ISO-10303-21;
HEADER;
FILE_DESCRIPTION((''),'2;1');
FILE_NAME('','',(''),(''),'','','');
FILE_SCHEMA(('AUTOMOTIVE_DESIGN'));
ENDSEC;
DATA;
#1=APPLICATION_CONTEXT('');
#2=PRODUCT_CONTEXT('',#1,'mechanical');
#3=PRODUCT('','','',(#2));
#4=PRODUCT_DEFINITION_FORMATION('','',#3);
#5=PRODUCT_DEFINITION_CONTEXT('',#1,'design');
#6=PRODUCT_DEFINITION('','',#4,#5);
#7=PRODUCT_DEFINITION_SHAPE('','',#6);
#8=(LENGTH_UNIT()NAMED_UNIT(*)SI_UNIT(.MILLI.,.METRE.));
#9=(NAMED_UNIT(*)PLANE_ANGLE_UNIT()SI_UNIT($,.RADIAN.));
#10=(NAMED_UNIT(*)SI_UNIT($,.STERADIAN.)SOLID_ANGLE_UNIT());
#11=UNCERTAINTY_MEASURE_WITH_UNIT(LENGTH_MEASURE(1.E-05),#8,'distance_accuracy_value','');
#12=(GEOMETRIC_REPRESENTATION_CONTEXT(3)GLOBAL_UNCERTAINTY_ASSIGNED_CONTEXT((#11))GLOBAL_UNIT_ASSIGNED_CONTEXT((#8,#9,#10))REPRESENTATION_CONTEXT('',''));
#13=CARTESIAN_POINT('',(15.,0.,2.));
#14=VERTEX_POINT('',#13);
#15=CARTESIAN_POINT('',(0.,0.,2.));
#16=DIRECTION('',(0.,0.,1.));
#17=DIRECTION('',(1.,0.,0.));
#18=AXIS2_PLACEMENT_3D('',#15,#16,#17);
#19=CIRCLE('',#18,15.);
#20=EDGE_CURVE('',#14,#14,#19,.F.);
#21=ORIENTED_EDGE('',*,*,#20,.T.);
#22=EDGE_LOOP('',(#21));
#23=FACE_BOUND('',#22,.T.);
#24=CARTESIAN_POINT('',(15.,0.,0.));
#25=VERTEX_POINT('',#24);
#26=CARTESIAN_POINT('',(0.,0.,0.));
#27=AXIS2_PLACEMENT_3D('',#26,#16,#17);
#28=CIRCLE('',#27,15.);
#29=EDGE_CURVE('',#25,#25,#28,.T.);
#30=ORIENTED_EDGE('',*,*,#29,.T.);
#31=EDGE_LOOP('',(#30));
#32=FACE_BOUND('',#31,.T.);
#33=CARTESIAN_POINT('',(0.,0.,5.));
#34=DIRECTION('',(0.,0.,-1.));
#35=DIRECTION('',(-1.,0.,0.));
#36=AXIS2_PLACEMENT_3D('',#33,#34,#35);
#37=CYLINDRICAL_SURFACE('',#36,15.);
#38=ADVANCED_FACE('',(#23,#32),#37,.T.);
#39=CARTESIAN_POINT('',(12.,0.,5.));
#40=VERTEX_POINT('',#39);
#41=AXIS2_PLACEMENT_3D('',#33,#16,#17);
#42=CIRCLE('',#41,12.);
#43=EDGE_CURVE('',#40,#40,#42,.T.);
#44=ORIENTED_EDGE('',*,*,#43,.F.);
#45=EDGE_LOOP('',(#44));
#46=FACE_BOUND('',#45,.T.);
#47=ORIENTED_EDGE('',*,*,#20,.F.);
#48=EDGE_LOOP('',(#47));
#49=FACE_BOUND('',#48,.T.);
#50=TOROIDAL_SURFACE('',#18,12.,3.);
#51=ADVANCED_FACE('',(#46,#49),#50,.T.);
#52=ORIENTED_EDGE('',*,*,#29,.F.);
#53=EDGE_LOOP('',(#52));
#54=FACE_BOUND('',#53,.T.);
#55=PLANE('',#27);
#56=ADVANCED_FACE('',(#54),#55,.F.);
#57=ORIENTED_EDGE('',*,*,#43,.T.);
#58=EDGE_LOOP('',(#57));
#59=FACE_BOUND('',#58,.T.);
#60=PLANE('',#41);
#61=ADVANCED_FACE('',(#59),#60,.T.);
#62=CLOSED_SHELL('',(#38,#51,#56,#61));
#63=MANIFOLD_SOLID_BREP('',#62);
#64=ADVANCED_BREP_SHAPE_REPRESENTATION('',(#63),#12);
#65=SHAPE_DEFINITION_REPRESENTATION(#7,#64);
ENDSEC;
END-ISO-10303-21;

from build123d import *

# Parameters (mm, degrees)
SKETCH1_R      = 15
EXTRUDE1_DEPTH = 5
FILLET1_R      = 3


with BuildPart() as part:
    # Sketch1 → Extrude1 (new body)
    with BuildSketch(Plane.XY):
        Circle(SKETCH1_R)
    extrude(amount=EXTRUDE1_DEPTH)

    # Fillet1
    fillet1_edges = [part.edges().sort_by_distance(p)[0] for p in [
        (-15, 0, 5),
    ]]
    fillet(fillet1_edges, radius=FILLET1_R)


solid = part.part
